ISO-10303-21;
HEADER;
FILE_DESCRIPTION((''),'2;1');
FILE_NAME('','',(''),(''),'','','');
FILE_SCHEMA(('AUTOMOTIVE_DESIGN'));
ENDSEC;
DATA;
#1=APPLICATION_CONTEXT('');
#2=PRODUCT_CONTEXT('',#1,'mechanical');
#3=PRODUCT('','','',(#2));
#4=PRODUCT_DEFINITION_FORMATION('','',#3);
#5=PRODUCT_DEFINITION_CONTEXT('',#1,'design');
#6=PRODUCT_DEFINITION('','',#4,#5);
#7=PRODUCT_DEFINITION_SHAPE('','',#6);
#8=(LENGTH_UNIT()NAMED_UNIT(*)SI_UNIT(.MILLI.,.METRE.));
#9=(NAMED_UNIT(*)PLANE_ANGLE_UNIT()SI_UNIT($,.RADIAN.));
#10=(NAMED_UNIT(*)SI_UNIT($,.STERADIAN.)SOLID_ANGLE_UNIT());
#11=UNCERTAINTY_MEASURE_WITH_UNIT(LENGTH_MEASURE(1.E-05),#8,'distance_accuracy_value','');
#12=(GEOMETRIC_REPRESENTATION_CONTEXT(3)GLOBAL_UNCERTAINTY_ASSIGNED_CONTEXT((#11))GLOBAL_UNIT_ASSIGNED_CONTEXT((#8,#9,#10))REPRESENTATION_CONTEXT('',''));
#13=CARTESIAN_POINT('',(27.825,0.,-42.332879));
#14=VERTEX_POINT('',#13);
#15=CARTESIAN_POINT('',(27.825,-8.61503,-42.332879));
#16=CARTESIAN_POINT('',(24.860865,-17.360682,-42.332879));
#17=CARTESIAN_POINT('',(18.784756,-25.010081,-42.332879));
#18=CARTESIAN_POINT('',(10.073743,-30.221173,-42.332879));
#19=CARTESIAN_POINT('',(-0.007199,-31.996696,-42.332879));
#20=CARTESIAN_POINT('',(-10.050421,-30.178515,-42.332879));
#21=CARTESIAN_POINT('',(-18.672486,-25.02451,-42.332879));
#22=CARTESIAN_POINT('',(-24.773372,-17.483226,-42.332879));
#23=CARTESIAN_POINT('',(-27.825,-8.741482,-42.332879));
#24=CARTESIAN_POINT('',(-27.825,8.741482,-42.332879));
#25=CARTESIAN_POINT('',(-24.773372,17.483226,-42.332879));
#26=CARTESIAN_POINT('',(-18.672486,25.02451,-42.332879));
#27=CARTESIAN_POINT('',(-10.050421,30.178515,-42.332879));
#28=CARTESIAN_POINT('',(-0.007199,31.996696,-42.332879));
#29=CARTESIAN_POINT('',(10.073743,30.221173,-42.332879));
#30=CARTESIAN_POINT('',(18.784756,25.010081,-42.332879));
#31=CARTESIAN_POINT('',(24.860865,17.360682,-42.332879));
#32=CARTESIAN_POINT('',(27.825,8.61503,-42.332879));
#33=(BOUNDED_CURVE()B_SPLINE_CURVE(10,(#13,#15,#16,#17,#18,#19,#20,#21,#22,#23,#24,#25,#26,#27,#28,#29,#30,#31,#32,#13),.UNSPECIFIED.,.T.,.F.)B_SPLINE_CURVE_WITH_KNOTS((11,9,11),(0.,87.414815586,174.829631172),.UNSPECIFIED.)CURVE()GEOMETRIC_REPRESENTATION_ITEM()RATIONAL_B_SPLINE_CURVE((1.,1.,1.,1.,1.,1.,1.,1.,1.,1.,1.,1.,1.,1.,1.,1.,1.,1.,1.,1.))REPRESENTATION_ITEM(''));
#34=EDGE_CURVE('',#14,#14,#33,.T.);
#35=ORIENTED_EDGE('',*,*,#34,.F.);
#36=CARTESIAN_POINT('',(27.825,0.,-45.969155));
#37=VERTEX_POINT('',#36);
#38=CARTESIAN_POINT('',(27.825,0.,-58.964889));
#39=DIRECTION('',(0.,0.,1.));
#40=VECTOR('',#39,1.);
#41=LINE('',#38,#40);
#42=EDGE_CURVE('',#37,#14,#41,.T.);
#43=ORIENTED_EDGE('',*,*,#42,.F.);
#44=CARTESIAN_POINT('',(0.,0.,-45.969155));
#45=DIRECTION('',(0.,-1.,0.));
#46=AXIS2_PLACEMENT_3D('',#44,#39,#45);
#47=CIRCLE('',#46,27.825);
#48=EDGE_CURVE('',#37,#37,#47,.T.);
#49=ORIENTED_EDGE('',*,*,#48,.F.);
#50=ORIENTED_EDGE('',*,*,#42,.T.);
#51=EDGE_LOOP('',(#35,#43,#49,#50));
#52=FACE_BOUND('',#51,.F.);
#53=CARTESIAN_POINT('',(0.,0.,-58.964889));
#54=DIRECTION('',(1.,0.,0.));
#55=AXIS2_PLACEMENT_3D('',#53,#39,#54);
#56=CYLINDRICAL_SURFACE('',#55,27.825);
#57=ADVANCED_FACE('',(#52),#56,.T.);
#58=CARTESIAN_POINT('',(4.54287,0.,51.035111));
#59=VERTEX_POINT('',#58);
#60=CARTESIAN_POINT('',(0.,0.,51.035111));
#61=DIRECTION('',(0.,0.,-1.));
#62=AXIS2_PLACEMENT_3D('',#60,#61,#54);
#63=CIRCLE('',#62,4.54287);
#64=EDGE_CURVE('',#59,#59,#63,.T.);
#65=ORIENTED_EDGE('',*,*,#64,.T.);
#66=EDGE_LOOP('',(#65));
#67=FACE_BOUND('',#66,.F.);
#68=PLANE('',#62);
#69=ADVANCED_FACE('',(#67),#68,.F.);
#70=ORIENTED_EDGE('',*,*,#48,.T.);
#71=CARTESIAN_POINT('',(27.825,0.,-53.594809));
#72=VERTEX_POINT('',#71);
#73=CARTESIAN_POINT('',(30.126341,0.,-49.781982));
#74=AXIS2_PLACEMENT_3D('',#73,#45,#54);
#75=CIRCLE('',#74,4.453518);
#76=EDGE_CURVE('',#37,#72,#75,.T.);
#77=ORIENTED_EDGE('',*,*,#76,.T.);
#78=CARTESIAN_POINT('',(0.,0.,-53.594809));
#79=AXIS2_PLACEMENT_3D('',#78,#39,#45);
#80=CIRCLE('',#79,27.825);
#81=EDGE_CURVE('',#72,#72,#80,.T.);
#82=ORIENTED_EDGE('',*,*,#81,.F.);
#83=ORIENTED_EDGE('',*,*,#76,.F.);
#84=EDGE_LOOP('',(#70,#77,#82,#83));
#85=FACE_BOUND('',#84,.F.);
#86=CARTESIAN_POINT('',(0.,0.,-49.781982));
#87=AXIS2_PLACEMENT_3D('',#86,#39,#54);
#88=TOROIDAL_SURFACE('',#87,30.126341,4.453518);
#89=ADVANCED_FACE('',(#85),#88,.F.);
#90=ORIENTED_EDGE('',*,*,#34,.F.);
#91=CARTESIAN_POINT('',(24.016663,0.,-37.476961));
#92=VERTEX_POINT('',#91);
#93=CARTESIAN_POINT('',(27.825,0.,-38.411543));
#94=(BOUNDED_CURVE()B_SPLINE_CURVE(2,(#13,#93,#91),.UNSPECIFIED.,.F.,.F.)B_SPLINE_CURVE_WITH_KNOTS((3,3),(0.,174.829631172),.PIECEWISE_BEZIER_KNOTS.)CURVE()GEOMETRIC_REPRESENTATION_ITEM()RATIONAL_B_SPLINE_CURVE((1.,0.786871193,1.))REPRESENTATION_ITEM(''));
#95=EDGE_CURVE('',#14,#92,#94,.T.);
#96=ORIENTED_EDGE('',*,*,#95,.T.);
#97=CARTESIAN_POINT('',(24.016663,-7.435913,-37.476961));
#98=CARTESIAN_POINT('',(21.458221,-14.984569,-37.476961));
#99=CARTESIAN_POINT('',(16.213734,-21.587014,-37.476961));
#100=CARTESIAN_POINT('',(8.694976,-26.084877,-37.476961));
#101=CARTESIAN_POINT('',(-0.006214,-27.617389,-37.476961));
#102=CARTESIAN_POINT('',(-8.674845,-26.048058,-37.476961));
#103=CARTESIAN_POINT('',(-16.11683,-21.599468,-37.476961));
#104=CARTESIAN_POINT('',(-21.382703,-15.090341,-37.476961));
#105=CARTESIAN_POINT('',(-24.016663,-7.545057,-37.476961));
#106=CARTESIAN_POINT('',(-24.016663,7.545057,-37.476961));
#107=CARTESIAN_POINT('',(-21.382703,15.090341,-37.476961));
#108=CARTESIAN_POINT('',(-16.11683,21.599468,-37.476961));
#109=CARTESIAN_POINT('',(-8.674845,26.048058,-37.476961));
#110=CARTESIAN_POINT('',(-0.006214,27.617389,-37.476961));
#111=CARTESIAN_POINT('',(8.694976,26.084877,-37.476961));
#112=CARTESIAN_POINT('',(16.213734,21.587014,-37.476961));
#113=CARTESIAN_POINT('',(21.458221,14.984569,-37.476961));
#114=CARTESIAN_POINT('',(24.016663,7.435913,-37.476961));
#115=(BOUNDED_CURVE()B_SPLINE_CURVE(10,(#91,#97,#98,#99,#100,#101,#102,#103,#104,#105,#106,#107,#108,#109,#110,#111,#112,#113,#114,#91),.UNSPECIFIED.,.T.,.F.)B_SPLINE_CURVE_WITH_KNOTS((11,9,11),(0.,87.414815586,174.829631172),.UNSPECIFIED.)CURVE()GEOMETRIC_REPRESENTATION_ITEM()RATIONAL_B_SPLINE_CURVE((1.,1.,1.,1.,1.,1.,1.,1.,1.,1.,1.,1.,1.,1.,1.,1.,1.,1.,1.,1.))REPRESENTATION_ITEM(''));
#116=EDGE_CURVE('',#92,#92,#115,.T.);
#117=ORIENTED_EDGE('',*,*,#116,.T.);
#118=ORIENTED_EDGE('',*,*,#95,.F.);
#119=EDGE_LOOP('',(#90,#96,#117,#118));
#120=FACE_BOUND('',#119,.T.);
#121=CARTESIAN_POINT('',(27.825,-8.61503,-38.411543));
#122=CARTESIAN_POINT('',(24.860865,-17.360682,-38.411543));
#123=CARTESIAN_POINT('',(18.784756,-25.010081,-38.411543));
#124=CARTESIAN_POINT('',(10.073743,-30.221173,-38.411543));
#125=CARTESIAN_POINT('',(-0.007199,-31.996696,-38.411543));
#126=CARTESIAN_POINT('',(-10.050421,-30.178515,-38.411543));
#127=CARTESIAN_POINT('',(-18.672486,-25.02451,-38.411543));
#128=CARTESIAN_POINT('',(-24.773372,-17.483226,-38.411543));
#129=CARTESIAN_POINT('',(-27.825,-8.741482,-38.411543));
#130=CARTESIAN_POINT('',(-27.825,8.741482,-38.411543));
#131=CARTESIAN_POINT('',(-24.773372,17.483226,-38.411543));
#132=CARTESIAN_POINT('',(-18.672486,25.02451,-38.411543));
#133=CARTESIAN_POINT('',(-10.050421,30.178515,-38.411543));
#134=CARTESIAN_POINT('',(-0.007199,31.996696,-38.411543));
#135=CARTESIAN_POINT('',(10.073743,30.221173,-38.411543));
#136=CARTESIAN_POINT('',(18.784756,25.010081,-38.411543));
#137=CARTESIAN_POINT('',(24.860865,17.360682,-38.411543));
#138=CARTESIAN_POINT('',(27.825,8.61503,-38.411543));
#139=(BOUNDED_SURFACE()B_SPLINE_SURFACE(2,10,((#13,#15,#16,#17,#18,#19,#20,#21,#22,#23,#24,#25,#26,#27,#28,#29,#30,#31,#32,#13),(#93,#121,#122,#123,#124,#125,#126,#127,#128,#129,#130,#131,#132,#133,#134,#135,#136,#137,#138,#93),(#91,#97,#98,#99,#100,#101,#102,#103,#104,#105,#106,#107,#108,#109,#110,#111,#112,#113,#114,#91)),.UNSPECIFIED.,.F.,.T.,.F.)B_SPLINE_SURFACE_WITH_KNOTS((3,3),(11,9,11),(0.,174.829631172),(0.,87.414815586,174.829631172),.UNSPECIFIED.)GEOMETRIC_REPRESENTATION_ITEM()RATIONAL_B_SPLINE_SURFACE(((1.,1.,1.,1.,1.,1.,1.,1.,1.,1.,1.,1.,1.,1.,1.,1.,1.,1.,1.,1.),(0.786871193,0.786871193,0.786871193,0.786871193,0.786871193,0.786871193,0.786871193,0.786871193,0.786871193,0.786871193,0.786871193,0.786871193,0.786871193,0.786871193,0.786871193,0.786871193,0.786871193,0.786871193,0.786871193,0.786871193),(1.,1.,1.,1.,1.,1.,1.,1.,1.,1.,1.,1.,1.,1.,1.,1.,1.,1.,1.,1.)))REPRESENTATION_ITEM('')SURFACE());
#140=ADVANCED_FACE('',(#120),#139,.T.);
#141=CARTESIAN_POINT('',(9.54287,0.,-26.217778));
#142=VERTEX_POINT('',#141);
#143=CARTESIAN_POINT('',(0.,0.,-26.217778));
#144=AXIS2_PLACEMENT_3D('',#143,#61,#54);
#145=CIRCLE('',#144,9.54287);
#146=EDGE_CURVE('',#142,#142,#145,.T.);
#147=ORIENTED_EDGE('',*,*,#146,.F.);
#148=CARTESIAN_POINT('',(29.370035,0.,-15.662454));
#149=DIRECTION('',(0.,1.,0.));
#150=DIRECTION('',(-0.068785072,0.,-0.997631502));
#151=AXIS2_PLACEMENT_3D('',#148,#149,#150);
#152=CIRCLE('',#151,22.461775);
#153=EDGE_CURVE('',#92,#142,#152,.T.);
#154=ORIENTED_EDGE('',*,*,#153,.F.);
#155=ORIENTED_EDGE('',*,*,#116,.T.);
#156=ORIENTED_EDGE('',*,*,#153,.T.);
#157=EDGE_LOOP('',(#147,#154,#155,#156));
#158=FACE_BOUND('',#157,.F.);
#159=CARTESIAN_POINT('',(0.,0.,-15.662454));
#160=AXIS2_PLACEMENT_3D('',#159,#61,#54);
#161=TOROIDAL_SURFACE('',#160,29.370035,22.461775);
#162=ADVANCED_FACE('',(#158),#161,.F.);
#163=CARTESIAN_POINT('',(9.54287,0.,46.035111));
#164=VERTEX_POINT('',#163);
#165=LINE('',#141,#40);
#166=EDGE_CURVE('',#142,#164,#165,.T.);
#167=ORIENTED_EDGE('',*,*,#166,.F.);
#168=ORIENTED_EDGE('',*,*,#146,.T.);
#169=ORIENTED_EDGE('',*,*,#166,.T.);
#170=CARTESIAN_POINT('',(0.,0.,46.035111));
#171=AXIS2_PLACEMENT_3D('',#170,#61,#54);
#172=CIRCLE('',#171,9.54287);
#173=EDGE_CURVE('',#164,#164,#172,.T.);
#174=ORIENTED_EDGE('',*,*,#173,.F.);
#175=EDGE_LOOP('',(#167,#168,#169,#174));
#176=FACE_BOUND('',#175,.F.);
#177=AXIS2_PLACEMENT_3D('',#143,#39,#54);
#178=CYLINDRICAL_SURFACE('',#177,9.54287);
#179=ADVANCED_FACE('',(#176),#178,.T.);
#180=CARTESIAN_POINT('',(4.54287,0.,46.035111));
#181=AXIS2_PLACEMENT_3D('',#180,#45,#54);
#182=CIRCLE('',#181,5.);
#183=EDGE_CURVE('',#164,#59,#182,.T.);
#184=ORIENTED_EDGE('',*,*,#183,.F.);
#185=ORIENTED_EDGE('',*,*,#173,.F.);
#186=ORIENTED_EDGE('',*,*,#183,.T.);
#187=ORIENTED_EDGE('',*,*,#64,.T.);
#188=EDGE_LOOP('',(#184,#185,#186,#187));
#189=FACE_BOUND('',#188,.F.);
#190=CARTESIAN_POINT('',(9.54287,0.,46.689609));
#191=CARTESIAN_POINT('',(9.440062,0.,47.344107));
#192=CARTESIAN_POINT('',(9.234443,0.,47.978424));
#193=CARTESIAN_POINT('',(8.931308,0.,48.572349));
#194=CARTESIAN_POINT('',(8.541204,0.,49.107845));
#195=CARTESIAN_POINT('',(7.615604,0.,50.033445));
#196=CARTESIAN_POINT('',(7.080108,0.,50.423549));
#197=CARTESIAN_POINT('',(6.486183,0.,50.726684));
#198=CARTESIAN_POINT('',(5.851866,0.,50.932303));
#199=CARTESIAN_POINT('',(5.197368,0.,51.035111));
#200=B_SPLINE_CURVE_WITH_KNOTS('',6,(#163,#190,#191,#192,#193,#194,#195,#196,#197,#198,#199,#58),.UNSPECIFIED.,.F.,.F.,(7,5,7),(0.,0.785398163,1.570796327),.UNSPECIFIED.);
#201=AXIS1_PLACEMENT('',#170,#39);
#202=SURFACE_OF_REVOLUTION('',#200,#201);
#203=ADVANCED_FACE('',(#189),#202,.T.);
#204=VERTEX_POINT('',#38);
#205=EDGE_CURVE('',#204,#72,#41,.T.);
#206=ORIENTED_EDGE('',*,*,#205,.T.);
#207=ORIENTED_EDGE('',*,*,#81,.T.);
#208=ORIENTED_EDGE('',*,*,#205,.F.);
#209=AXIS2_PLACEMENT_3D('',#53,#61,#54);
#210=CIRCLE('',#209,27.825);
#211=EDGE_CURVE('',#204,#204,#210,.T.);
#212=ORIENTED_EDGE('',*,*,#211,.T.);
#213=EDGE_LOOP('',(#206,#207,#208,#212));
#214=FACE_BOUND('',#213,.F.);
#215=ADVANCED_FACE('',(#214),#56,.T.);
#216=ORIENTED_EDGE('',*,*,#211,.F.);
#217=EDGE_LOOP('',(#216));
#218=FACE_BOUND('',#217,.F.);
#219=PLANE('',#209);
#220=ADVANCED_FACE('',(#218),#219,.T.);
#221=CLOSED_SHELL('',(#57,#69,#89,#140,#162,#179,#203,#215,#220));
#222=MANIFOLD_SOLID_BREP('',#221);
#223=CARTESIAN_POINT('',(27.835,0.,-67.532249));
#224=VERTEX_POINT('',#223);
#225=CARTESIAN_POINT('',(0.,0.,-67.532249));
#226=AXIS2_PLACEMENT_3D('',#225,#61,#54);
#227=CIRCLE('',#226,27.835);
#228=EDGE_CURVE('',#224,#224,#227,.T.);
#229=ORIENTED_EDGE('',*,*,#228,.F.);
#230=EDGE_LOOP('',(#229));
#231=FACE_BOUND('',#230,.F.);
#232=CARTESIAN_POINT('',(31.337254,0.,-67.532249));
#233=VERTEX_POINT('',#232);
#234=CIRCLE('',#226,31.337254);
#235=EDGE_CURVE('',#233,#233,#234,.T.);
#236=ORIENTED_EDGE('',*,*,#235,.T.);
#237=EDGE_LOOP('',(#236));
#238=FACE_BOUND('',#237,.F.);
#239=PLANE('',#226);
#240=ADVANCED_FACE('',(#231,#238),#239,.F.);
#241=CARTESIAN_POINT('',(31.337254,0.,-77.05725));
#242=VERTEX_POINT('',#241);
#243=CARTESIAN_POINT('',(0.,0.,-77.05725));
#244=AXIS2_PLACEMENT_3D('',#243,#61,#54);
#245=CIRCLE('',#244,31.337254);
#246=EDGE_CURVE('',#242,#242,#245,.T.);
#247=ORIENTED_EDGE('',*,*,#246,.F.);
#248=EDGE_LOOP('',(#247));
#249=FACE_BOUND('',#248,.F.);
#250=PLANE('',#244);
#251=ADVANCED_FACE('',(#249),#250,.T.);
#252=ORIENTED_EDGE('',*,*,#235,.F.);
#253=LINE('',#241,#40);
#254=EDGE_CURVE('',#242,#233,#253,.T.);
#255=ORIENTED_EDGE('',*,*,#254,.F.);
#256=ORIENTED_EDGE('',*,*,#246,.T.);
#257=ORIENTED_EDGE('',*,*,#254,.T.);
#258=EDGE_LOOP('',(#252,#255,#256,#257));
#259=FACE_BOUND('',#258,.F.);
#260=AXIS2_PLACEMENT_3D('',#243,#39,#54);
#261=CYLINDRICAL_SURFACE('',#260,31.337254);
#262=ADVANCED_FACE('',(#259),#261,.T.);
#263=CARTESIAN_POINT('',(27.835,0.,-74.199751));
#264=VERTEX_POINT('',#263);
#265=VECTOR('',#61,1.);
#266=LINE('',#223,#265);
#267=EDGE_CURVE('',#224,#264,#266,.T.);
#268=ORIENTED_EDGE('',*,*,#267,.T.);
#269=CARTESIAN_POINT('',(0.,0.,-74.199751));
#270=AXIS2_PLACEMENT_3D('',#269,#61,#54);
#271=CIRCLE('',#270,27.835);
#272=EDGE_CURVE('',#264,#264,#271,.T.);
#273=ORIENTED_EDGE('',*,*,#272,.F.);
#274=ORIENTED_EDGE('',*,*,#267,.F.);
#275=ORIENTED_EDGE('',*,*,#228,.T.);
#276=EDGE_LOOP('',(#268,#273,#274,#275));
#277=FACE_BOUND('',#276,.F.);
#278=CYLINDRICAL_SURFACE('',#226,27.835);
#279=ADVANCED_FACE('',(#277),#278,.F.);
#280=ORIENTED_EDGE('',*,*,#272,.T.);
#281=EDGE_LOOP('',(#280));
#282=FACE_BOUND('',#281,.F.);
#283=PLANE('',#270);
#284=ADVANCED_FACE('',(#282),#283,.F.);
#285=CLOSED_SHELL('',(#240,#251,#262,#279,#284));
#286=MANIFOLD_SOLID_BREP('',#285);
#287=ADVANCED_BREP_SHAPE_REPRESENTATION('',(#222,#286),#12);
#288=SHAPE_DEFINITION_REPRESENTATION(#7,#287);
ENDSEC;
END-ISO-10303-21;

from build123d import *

# Parameters (mm, degrees)
F3_R = 5
F4_R = 5
F2_R = 4.453518


with BuildPart() as f1:
    # F0 (on Front) → F1 (revolve)
    with BuildSketch(Plane.XZ):
        with BuildLine():
            Line((0, 51.035111), (0, -58.964889))
            Line((0, -58.964889), (27.825, -58.964889))
            Line((27.825, -58.964889), (27.825, -38.071028))
            ThreePointArc((27.825, -38.071028), (17.150476, -34.509568), (9.54287, -26.217778))
            Line((9.54287, -26.217778), (9.54287, 51.035111))
            Line((9.54287, 51.035111), (0, 51.035111))
        make_face()
        Polygon((27.835, -74.199751), (0, -74.199751), (0, -77.05725), (31.337254, -77.05725), (31.337254, -67.532249), (27.835, -67.532249), align=None)
    revolve(axis=Axis((0, 0, -3.964889), (0, 0, -1)))

    # F3
    f3_edges = [f1.edges().sort_by_distance(p)[0] for p in [
        (-27.825, 0, -38.071028),
    ]]
    fillet(f3_edges, radius=F3_R)

    # F4
    f4_edges = [f1.edges().sort_by_distance(p)[0] for p in [
        (-9.54287, 0, 51.035111),
    ]]
    fillet(f4_edges, radius=F4_R)

    # F2 (on Front) → F5 (revolve, cut)
    with BuildSketch(Plane.XZ):
        with Locations((30.126341, -49.781982)):
            Circle(F2_R)
    revolve(axis=Axis((0, 0, -58.964889), (0, 0, 1)), mode=Mode.SUBTRACT)


solid = f1.part
